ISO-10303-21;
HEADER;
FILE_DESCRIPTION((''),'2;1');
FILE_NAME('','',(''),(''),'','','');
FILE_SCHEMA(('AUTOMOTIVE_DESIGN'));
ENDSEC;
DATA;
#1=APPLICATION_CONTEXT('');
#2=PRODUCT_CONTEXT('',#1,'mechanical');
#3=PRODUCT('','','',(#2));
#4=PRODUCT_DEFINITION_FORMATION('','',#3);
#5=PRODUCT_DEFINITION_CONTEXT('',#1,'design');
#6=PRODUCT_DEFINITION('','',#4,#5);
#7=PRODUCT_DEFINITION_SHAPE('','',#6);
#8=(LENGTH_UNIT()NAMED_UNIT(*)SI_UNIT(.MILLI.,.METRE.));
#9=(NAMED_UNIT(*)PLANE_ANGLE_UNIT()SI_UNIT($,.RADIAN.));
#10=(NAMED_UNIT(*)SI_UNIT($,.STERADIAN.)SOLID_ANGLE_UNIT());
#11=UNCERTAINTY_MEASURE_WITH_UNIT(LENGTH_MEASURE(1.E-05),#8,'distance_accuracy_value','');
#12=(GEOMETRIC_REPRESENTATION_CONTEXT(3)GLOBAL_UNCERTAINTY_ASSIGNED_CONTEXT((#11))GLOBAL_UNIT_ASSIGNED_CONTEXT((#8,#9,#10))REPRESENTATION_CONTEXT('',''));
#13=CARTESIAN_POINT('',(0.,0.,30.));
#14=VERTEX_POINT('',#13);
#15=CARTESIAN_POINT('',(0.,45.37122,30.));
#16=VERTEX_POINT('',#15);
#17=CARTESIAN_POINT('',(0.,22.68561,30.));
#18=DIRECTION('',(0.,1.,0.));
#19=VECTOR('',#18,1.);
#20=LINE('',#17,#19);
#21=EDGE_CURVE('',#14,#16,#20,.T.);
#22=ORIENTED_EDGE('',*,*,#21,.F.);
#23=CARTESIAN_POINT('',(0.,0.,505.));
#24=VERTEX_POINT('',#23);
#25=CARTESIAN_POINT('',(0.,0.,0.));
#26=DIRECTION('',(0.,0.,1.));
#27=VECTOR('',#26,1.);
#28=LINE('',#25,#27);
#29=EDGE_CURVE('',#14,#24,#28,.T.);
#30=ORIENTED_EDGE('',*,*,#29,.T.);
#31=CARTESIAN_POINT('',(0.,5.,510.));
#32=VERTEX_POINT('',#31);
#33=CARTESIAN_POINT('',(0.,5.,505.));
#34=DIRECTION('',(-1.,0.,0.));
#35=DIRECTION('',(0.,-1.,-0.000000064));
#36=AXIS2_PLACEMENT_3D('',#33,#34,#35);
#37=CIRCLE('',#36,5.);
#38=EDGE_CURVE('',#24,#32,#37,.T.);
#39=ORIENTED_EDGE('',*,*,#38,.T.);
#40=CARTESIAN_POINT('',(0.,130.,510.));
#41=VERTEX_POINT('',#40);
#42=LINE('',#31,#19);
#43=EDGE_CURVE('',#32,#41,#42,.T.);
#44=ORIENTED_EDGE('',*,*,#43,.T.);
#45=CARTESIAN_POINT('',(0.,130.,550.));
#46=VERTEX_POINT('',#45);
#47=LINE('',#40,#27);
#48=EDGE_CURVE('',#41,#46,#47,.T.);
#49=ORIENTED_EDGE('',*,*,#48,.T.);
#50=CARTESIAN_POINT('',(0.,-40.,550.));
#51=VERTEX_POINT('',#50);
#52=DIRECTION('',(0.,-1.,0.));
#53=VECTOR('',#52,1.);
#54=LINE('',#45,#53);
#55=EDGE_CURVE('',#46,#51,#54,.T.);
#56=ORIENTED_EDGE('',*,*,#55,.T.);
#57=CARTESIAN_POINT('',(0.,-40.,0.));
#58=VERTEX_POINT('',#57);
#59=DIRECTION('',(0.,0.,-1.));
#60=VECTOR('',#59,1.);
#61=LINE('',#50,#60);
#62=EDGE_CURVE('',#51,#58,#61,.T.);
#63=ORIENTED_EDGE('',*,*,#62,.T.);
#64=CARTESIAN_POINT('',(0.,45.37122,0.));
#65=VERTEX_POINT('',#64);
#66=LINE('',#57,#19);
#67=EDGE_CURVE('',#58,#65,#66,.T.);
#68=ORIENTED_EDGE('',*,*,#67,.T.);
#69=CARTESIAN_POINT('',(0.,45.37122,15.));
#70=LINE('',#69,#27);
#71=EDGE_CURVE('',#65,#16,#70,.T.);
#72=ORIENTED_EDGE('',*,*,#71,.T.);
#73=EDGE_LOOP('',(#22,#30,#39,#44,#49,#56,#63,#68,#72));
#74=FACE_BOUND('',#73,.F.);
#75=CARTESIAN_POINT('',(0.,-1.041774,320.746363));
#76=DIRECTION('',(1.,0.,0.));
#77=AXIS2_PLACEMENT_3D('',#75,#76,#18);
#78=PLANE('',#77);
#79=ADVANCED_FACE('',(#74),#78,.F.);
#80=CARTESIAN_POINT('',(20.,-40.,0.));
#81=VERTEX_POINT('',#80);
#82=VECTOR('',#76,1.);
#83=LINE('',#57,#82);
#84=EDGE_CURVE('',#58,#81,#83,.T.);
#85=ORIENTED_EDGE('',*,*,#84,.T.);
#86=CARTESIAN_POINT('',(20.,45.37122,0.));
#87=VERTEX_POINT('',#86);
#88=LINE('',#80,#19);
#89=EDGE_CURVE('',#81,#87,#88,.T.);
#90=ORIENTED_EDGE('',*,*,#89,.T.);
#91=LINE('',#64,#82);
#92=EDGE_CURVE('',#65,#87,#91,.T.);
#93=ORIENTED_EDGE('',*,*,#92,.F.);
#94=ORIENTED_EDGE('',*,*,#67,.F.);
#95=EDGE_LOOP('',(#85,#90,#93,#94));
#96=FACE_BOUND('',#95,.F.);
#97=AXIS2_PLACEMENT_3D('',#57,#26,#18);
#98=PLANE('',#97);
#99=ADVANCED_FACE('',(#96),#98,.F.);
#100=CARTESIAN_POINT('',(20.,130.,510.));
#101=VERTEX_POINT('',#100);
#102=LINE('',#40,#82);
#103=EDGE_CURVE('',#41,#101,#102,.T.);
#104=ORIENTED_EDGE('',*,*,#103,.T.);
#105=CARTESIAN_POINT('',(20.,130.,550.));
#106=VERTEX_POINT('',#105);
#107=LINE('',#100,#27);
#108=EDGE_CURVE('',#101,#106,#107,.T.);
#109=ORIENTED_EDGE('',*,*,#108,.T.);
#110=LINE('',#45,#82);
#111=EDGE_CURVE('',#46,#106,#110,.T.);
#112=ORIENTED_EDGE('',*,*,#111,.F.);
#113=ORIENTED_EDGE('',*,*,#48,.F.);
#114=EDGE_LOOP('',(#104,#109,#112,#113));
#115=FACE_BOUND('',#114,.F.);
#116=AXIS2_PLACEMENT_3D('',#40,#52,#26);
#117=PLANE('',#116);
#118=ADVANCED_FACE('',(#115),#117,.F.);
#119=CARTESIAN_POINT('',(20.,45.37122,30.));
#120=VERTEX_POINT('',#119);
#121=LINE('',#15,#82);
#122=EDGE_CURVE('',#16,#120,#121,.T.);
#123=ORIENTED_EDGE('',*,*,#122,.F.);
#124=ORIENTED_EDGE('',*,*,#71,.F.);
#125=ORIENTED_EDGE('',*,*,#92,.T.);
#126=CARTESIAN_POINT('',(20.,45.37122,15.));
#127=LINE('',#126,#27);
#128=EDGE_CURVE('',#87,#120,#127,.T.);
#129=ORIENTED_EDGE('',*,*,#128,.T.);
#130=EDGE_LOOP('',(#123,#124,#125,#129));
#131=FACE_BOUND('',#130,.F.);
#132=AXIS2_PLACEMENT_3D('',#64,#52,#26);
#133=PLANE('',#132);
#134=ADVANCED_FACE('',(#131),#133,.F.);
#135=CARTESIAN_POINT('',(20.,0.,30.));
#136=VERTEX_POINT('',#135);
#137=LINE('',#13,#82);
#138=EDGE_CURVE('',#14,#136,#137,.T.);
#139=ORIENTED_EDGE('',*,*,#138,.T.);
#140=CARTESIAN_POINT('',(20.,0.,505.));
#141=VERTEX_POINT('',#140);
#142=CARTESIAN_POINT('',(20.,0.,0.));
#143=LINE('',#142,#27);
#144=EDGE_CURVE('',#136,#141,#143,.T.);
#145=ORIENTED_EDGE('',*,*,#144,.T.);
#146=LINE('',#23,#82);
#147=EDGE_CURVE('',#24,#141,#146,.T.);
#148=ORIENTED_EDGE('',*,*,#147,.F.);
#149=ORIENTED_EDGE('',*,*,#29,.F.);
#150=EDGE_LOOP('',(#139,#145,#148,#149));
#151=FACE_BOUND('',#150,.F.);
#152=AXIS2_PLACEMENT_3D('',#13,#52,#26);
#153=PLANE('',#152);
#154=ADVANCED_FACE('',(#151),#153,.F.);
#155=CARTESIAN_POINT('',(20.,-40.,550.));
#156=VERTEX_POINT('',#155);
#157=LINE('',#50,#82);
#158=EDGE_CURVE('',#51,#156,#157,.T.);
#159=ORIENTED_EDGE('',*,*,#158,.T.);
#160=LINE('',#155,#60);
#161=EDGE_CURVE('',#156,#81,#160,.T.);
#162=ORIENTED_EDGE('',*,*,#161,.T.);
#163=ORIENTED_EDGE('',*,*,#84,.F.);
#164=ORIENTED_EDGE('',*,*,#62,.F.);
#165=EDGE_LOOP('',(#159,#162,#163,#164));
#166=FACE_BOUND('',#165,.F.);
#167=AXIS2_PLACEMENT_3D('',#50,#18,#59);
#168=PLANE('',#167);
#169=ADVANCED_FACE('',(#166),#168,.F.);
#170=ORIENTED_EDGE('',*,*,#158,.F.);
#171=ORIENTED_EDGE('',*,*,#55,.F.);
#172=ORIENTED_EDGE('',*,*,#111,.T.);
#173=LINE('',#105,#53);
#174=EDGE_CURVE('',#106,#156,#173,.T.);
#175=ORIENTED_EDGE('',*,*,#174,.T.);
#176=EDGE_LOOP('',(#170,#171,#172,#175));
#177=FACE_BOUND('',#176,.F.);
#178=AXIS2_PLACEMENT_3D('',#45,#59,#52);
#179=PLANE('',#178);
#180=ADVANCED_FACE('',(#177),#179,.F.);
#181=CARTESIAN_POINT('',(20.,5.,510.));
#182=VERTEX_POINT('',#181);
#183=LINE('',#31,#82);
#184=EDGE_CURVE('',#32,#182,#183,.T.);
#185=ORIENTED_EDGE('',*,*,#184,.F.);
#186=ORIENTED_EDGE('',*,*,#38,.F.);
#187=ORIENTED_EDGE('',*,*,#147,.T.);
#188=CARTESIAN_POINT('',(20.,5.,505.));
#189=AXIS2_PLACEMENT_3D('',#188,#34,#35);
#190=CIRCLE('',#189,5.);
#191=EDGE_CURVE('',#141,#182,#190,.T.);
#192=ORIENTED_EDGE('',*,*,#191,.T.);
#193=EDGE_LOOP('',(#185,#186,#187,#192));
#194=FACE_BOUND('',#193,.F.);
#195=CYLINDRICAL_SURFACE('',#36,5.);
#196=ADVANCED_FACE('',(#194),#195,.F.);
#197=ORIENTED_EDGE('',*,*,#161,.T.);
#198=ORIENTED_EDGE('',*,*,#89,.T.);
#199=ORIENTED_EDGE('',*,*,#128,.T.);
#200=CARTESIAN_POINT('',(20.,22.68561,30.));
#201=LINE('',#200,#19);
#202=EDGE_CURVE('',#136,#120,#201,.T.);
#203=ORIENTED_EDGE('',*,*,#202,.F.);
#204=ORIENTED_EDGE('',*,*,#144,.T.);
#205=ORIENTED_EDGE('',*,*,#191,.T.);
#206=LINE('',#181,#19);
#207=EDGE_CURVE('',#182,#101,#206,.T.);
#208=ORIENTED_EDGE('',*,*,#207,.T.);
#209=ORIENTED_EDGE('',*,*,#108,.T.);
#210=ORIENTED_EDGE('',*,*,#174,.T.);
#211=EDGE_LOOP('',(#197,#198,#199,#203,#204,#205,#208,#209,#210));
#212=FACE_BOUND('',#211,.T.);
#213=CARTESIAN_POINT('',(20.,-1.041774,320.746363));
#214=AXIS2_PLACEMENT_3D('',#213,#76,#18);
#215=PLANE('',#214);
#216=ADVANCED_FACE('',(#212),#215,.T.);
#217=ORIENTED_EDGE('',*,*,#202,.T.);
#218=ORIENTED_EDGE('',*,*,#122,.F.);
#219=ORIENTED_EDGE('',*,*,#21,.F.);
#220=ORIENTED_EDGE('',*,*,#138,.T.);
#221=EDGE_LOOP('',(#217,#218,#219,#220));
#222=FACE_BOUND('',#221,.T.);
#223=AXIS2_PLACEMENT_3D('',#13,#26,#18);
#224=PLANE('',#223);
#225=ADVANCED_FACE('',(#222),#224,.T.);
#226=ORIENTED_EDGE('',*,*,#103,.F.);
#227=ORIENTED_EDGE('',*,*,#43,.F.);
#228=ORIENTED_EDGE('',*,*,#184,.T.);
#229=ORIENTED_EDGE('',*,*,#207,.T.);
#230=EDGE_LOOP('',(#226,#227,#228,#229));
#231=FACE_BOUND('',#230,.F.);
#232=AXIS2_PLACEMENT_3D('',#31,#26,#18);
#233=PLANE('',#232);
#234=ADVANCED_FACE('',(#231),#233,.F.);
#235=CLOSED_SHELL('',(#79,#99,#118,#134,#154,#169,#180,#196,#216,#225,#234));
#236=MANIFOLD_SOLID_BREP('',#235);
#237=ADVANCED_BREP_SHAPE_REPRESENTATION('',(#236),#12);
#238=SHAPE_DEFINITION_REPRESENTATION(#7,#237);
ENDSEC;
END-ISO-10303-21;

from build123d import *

# Parameters (mm, degrees)
F0_W     = 45.37122
F0_H     = 30
F1_DEPTH = 20


with BuildPart() as f1:
    # F0 (on Right) → F1 (new body)
    with BuildSketch(Plane.YZ):
        with BuildLine():
            Line((-40, 550), (-40, 0))
            Line((-40, 0), (0, 0))
            Line((0, 0), (0, 30))
            Line((0, 30), (0, 505))
            ThreePointArc((0, 505), (1.464466, 508.535534), (5, 510))
            Line((5, 510), (130, 510))
            Line((130, 510), (130, 550))
            Line((130, 550), (-40, 550))
        make_face()
        with Locations((22.68561, 15)):
            Rectangle(F0_W, F0_H)
    extrude(amount=F1_DEPTH)


solid = f1.part
